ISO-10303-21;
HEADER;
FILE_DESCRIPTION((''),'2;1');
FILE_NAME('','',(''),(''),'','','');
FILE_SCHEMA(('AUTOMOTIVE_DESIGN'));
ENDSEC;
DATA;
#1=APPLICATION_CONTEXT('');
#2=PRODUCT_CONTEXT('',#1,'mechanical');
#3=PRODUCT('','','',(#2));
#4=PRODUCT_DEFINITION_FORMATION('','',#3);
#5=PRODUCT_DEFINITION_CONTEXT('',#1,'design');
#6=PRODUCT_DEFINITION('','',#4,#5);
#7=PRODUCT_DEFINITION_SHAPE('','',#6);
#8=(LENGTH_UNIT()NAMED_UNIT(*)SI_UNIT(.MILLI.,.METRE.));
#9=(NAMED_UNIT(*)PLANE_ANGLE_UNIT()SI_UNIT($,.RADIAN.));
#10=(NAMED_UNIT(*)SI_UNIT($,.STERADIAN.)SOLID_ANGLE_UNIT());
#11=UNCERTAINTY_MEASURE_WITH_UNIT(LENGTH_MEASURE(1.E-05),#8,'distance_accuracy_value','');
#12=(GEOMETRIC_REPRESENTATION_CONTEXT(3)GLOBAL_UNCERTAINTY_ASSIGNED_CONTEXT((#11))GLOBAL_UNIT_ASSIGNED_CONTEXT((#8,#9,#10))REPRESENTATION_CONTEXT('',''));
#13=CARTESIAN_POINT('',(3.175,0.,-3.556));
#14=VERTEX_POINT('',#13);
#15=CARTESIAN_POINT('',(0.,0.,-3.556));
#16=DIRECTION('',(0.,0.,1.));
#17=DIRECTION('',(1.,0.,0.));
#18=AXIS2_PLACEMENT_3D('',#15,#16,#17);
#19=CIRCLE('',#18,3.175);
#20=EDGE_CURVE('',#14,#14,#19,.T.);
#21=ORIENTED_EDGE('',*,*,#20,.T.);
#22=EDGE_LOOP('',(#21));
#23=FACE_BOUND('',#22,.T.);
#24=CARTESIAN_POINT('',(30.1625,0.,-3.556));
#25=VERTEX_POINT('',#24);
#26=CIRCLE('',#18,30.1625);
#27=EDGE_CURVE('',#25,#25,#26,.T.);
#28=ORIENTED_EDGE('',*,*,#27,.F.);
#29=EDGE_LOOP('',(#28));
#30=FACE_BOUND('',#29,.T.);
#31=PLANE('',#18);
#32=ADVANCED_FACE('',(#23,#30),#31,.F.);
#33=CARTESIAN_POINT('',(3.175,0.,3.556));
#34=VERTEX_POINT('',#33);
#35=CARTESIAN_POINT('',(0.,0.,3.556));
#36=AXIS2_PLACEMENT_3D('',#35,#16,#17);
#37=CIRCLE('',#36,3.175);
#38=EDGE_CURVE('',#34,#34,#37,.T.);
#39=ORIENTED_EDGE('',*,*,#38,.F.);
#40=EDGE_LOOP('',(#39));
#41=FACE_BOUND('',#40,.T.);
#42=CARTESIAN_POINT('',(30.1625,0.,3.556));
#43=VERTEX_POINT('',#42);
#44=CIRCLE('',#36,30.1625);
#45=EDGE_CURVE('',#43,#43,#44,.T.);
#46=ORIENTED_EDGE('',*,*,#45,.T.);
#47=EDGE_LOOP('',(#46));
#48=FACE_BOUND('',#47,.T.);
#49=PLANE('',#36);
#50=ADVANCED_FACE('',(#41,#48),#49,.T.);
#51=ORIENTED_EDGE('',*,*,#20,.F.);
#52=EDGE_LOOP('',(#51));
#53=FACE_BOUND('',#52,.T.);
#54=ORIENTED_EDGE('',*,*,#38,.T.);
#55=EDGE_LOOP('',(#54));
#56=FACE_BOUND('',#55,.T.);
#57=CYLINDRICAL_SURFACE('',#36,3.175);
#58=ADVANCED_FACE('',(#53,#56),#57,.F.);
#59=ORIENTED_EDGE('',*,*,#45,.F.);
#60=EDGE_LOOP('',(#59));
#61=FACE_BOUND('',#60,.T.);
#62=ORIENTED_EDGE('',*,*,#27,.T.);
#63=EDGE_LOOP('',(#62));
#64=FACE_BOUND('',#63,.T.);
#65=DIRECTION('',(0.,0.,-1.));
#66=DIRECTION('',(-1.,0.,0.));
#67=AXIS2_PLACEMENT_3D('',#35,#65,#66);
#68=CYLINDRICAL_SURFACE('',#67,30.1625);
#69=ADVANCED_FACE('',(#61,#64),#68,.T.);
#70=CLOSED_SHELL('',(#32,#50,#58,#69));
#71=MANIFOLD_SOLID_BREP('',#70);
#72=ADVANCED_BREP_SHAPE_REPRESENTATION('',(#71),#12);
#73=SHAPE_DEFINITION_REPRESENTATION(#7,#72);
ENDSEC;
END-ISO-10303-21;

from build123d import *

# Parameters (mm, degrees)
SKETCH1_R                   = 30.1625
BOSS_EXTRUDE1_DEPTH         = 3.556
F_1_4_0_25_DIAMETER_HOLE1_D = 6.35


with BuildPart() as part:
    # Sketch1 → Boss-Extrude1 (new, symmetric)
    with BuildSketch(Plane.XY):
        Circle(SKETCH1_R)
    extrude(amount=BOSS_EXTRUDE1_DEPTH, both=True)

    # 1/4 (0.25) Diameter Hole1 (through all)
    with Locations(Plane.XY.offset(3.556)):
        with Locations((0, 0)):
            Hole(F_1_4_0_25_DIAMETER_HOLE1_D / 2)


solid = part.part
